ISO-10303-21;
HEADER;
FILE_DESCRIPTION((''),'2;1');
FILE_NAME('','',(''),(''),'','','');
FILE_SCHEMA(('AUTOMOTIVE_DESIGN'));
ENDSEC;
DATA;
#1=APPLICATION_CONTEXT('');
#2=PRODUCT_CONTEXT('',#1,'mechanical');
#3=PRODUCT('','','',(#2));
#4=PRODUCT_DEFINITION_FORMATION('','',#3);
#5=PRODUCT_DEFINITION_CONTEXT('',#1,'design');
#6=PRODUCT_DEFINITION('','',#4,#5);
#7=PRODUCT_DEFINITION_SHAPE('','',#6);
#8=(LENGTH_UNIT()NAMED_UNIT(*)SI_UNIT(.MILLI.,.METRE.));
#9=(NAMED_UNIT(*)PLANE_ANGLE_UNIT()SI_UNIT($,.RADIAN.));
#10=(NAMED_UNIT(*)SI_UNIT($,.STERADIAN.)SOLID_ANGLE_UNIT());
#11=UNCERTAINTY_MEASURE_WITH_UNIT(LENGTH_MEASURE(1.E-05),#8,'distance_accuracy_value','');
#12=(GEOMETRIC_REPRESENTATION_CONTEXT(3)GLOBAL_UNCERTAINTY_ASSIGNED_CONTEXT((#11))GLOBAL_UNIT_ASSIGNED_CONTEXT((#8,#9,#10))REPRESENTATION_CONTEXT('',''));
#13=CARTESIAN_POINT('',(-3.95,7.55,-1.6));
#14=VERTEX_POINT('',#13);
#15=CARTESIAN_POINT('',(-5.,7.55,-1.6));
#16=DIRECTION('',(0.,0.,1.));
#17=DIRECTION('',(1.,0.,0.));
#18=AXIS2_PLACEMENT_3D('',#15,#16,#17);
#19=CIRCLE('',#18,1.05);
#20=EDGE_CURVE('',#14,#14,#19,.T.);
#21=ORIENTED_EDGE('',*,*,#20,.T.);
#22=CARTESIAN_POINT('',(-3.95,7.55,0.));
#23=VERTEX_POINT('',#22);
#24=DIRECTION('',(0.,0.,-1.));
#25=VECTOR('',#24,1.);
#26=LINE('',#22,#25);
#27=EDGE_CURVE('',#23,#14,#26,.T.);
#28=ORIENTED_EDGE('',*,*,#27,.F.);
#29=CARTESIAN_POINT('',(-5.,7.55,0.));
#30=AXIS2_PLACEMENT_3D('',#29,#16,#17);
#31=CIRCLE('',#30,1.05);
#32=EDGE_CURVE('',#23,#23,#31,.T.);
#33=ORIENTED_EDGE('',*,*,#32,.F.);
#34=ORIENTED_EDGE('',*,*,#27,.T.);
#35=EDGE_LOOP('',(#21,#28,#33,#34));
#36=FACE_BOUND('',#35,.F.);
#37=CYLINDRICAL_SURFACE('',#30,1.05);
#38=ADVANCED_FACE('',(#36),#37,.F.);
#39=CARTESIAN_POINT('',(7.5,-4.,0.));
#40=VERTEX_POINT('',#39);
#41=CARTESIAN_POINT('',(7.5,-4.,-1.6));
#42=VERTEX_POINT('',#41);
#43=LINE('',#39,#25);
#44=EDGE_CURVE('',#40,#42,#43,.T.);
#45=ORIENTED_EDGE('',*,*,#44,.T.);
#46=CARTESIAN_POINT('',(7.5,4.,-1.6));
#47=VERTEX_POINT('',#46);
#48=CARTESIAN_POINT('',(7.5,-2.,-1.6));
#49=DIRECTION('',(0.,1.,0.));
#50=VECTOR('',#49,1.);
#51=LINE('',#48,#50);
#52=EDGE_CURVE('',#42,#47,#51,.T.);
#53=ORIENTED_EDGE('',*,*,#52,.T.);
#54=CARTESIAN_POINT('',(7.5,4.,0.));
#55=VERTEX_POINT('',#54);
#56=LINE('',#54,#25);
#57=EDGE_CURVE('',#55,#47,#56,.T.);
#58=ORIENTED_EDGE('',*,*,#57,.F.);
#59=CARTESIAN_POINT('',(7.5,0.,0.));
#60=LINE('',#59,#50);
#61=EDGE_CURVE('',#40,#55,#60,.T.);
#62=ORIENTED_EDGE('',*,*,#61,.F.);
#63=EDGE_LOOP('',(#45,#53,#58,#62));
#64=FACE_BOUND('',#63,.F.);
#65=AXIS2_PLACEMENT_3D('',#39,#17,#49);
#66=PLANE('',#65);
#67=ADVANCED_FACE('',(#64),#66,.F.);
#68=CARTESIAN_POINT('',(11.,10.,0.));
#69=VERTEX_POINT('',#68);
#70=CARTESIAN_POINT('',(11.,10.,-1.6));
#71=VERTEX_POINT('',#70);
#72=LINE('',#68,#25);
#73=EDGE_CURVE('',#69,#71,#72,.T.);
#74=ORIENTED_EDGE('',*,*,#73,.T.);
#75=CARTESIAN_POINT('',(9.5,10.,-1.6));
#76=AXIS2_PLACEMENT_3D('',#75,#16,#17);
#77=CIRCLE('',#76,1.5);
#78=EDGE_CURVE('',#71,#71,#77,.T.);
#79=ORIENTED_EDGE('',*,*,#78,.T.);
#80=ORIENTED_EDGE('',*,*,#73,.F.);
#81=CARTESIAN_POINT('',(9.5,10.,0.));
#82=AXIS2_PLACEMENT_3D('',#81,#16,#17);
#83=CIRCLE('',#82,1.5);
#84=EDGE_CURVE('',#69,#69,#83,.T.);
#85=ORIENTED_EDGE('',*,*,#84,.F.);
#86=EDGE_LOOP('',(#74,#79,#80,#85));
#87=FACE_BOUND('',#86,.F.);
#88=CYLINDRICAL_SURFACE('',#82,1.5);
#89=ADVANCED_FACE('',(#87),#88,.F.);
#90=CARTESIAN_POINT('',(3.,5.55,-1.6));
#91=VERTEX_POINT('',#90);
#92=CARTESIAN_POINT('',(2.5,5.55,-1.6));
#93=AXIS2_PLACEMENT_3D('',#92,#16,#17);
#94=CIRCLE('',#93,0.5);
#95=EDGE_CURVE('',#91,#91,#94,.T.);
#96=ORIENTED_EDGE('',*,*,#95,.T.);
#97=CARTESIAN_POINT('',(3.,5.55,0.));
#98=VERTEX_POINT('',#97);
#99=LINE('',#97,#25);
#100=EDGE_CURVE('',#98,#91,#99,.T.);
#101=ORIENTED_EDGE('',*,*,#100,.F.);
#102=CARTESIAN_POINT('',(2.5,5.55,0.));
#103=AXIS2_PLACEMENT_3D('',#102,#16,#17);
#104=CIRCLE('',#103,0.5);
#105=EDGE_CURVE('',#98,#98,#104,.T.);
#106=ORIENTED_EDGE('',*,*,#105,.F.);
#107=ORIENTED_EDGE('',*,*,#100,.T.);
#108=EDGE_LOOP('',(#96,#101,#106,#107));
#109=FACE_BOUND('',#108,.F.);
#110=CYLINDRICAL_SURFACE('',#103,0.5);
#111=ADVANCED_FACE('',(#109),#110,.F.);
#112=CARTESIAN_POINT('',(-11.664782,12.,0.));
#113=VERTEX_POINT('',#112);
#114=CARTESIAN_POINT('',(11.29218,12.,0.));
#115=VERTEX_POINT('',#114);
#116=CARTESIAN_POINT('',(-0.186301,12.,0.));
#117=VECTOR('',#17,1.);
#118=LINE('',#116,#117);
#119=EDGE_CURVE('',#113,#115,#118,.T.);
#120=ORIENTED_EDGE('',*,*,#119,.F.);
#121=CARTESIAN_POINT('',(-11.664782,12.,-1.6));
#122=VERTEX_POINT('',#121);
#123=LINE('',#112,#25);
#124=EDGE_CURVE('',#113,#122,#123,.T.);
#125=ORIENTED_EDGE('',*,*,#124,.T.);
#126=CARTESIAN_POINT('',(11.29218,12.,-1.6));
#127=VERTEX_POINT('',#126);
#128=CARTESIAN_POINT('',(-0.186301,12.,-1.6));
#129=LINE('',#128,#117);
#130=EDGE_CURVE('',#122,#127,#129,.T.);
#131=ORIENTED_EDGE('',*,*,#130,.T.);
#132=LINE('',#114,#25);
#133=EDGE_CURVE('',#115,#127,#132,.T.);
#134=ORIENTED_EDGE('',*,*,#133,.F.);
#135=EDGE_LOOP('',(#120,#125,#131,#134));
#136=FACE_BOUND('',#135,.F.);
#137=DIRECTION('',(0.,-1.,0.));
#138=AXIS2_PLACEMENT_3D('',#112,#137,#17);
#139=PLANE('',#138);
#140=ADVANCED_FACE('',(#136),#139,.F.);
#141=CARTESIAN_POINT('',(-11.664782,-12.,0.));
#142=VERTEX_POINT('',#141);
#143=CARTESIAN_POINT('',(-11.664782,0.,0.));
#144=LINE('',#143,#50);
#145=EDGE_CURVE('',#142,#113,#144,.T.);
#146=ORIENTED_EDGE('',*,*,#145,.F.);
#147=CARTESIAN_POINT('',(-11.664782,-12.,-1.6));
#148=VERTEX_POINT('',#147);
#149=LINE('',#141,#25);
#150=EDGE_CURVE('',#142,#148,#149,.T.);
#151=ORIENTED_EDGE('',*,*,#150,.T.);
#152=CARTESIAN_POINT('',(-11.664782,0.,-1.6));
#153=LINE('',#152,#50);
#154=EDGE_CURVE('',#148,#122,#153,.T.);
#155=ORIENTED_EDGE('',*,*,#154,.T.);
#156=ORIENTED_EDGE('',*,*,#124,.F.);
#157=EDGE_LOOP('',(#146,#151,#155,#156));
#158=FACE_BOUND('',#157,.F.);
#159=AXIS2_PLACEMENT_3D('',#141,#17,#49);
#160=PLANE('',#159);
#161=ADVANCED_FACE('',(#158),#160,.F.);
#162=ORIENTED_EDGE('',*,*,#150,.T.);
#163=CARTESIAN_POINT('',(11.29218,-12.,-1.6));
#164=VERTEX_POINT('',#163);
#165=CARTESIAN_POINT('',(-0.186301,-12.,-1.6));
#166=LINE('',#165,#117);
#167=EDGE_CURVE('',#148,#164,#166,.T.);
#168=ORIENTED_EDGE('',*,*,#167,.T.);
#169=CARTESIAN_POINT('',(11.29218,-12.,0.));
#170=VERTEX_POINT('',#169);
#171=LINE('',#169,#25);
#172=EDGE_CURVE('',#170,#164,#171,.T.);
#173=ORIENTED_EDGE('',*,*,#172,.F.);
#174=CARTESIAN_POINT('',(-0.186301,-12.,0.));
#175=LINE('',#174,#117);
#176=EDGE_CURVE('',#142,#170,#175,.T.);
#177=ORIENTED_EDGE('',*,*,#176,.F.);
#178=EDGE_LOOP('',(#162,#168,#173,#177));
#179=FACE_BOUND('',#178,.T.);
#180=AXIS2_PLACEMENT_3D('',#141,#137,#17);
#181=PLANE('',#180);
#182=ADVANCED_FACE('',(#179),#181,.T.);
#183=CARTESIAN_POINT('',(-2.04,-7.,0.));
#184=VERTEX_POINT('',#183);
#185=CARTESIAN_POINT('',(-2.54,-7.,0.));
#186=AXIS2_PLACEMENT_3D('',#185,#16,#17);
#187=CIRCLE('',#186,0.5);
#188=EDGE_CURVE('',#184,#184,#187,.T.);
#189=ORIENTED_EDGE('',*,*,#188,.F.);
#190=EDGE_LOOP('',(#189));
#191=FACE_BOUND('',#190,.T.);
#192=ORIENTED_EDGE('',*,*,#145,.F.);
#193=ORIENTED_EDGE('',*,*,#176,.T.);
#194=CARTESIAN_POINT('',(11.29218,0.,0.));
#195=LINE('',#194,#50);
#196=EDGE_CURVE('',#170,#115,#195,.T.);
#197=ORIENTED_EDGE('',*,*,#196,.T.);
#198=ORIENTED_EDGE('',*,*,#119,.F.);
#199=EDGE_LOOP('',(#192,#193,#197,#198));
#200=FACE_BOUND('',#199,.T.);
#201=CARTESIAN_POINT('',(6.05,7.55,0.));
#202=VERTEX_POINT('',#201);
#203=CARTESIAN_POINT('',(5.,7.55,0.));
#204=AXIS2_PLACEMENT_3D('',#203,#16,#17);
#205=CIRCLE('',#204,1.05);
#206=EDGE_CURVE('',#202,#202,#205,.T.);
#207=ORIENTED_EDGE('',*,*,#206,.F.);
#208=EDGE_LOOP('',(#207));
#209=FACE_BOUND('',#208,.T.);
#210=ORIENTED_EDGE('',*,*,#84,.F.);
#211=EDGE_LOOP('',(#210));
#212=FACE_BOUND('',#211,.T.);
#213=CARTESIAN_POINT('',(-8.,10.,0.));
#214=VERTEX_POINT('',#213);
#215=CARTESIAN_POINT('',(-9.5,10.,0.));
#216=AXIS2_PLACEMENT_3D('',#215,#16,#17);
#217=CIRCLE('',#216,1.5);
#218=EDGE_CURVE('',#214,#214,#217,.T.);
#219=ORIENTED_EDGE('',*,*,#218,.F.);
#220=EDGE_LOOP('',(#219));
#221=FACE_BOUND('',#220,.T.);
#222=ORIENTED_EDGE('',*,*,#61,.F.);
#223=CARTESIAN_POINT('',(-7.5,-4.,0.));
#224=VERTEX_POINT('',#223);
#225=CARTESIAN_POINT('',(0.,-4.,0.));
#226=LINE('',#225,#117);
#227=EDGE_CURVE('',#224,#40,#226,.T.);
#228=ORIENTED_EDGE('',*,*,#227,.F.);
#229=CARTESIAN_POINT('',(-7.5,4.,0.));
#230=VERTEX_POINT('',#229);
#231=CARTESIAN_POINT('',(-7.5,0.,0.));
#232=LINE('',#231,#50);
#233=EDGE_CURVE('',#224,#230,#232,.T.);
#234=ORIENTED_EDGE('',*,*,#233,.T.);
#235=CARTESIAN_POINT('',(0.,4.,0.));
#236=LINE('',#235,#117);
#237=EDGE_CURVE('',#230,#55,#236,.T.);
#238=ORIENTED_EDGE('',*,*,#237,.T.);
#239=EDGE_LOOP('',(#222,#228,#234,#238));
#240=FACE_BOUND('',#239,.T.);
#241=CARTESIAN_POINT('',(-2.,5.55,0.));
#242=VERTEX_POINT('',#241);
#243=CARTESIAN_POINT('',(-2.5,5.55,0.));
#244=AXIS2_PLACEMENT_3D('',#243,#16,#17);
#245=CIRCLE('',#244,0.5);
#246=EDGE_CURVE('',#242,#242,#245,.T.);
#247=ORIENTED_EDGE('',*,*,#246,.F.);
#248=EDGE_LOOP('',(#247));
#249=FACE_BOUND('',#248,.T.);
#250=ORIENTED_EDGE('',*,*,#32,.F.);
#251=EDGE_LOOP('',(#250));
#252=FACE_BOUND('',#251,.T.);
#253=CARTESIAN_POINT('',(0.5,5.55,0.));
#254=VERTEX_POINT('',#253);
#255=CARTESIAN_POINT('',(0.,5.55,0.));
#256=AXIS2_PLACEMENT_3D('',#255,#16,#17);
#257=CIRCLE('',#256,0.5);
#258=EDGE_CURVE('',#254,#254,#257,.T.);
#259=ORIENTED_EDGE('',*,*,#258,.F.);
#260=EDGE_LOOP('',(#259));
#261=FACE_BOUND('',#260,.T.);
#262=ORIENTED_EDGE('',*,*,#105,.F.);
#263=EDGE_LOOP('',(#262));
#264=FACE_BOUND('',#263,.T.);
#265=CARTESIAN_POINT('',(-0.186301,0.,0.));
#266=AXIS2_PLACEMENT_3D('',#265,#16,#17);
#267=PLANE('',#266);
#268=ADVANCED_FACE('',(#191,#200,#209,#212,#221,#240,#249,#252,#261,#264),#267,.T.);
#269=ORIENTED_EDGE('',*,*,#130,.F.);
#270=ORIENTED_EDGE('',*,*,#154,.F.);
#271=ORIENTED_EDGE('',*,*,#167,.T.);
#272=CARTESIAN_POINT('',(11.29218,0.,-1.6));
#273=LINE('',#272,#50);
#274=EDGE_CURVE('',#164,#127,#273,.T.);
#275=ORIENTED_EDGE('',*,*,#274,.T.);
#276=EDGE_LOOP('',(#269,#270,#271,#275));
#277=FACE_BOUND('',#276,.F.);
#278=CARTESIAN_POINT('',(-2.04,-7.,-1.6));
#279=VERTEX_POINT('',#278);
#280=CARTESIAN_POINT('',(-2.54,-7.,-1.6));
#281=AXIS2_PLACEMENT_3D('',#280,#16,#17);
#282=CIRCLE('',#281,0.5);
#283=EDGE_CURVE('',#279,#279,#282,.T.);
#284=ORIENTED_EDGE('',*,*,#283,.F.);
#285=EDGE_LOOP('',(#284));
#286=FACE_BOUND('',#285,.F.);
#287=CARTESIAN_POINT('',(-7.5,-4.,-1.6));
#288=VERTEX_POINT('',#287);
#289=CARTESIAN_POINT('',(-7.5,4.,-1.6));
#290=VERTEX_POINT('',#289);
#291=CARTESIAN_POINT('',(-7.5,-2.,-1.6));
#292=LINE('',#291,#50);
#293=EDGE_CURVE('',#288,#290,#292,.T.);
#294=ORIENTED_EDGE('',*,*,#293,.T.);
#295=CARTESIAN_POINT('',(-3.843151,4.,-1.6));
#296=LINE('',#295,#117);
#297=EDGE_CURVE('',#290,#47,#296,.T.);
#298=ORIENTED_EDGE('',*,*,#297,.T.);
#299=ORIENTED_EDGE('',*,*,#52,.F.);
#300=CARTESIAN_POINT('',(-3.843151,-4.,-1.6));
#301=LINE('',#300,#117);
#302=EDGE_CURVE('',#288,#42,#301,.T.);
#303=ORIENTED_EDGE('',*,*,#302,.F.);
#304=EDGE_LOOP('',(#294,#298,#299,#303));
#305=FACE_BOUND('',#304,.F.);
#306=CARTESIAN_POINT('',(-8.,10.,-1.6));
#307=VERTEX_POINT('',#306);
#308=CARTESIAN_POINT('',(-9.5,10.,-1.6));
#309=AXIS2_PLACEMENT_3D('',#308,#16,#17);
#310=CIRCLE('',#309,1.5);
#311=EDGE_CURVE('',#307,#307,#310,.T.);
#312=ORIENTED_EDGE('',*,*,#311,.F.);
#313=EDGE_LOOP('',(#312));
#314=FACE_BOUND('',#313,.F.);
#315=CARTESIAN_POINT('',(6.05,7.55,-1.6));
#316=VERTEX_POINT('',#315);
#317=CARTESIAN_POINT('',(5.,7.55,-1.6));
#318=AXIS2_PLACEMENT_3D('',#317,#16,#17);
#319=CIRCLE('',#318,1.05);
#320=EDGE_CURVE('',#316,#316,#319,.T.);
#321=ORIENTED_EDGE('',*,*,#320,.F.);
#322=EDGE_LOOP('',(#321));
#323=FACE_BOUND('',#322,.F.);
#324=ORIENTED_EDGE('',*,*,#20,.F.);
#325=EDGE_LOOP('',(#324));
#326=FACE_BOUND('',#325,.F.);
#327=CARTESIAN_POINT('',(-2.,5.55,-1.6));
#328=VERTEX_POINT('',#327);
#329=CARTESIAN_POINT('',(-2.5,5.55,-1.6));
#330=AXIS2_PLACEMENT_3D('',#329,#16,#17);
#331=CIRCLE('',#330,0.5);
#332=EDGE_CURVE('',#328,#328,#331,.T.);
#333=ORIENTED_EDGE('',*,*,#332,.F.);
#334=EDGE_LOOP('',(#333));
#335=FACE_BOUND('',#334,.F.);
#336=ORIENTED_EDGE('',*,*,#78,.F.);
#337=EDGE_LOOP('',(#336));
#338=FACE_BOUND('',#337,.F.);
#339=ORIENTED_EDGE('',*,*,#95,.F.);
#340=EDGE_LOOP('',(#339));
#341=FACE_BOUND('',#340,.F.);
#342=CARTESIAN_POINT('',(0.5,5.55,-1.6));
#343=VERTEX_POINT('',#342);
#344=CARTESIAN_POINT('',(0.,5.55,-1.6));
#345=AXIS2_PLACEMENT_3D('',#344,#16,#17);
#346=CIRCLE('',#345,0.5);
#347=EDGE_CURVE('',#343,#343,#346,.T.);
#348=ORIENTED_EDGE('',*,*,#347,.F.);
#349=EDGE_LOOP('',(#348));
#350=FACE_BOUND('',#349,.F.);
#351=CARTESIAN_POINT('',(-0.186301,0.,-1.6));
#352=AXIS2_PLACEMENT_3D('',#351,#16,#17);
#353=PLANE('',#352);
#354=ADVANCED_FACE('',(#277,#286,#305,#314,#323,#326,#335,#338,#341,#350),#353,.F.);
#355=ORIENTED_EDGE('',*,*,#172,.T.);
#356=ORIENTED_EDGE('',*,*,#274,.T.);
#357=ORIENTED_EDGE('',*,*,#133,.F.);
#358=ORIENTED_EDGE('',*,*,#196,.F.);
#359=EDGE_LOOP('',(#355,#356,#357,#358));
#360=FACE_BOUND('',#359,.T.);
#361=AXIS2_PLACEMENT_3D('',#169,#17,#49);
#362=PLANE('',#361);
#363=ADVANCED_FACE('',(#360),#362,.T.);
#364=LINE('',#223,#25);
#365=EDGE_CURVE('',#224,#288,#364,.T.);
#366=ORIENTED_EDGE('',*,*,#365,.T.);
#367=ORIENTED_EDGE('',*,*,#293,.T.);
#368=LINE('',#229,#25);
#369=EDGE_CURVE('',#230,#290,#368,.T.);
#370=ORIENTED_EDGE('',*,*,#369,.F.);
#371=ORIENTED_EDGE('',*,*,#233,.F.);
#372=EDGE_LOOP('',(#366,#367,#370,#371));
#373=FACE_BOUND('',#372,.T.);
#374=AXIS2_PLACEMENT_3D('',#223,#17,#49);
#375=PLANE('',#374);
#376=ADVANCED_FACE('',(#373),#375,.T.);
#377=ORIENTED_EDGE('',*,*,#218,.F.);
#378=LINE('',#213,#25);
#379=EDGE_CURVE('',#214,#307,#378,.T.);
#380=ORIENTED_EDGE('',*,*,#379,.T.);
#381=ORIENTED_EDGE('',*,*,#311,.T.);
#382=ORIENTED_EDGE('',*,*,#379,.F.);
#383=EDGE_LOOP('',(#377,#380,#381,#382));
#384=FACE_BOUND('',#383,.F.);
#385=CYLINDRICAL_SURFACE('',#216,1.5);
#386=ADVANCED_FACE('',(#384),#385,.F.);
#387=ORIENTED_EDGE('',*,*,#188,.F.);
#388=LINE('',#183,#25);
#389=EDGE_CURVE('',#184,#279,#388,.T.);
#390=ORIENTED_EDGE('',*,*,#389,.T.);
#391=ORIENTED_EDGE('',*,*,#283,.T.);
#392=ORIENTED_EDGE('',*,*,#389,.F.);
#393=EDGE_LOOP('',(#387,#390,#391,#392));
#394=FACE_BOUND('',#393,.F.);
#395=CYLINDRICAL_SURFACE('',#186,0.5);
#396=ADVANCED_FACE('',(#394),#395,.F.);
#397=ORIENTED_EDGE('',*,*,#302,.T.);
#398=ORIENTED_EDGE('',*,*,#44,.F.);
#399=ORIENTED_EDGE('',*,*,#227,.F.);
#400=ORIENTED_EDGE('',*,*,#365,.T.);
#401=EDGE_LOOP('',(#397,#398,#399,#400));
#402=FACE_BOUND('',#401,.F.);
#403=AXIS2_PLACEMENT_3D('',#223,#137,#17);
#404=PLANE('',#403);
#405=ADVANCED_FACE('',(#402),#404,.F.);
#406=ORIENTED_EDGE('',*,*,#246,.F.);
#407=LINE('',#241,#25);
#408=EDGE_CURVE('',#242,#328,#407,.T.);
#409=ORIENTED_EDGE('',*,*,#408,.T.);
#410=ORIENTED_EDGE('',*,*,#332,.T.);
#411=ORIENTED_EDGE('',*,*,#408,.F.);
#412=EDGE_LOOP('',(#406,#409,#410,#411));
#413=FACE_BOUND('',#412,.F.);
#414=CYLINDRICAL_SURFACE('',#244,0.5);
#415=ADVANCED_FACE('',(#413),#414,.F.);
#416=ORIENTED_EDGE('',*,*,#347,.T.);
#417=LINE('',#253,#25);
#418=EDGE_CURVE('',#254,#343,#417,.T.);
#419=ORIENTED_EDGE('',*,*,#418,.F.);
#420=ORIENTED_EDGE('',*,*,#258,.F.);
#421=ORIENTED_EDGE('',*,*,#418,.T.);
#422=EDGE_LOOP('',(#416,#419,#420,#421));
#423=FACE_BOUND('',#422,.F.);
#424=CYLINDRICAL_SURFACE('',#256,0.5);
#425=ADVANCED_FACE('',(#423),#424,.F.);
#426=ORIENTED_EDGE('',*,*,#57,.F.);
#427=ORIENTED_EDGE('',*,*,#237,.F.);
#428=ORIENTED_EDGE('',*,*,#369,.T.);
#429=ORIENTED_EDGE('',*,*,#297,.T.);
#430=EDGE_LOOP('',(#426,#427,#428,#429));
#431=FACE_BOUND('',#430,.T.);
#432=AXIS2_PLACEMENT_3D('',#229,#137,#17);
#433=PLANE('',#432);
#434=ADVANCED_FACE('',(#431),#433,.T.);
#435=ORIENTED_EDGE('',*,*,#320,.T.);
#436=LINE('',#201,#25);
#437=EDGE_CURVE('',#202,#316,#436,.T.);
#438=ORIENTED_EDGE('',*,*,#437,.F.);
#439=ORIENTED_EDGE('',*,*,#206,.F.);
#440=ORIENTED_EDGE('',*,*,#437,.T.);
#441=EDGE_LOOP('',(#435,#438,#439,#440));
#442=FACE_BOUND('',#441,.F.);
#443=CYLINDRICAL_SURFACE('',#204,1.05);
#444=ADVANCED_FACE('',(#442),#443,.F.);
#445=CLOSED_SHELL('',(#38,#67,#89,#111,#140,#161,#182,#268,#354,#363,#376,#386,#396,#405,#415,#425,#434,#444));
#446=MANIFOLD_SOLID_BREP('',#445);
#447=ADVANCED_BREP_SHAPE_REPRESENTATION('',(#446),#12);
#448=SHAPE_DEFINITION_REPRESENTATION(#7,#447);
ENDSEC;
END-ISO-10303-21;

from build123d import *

# Parameters (mm, degrees)
F0_W     = 22.956962
F0_H     = 24
F0_R     = 0.5
F0_R_2   = 1.05
F1_DEPTH = 1.6
F2_W     = 15
F2_H     = 8
F3_DEPTH = 25
F4_R     = 1.5
F5_DEPTH = 25


with BuildPart() as f1:
    # F0 (on Top) → F1 (new body)
    with BuildSketch(Plane.XY):
        with Locations((-0.186301, 0)):
            Rectangle(F0_W, F0_H)
        with Locations((-2.54, -7)):
            Circle(F0_R, mode=Mode.SUBTRACT)
        with Locations((-2.5, 5.55)):
            Circle(F0_R, mode=Mode.SUBTRACT)
        with Locations((-5, 7.55)):
            Circle(F0_R_2, mode=Mode.SUBTRACT)
        with Locations((0, 5.55)):
            Circle(F0_R, mode=Mode.SUBTRACT)
        with Locations((2.5, 5.55)):
            Circle(F0_R, mode=Mode.SUBTRACT)
        with Locations((5, 7.55)):
            Circle(F0_R_2, mode=Mode.SUBTRACT)
    extrude(amount=-F1_DEPTH)

    # F2 (on face) → F3 (cut)
    with BuildSketch(Plane.XY):
        Rectangle(F2_W, F2_H)
    extrude(amount=-F3_DEPTH, mode=Mode.SUBTRACT)

    # F4 (on face) → F5 (cut)
    with BuildSketch(Plane.XY):
        with Locations((-9.5, 10)):
            Circle(F4_R)
        with Locations((9.5, 10)):
            Circle(F4_R)
    extrude(amount=-F5_DEPTH, mode=Mode.SUBTRACT)


solid = f1.part
